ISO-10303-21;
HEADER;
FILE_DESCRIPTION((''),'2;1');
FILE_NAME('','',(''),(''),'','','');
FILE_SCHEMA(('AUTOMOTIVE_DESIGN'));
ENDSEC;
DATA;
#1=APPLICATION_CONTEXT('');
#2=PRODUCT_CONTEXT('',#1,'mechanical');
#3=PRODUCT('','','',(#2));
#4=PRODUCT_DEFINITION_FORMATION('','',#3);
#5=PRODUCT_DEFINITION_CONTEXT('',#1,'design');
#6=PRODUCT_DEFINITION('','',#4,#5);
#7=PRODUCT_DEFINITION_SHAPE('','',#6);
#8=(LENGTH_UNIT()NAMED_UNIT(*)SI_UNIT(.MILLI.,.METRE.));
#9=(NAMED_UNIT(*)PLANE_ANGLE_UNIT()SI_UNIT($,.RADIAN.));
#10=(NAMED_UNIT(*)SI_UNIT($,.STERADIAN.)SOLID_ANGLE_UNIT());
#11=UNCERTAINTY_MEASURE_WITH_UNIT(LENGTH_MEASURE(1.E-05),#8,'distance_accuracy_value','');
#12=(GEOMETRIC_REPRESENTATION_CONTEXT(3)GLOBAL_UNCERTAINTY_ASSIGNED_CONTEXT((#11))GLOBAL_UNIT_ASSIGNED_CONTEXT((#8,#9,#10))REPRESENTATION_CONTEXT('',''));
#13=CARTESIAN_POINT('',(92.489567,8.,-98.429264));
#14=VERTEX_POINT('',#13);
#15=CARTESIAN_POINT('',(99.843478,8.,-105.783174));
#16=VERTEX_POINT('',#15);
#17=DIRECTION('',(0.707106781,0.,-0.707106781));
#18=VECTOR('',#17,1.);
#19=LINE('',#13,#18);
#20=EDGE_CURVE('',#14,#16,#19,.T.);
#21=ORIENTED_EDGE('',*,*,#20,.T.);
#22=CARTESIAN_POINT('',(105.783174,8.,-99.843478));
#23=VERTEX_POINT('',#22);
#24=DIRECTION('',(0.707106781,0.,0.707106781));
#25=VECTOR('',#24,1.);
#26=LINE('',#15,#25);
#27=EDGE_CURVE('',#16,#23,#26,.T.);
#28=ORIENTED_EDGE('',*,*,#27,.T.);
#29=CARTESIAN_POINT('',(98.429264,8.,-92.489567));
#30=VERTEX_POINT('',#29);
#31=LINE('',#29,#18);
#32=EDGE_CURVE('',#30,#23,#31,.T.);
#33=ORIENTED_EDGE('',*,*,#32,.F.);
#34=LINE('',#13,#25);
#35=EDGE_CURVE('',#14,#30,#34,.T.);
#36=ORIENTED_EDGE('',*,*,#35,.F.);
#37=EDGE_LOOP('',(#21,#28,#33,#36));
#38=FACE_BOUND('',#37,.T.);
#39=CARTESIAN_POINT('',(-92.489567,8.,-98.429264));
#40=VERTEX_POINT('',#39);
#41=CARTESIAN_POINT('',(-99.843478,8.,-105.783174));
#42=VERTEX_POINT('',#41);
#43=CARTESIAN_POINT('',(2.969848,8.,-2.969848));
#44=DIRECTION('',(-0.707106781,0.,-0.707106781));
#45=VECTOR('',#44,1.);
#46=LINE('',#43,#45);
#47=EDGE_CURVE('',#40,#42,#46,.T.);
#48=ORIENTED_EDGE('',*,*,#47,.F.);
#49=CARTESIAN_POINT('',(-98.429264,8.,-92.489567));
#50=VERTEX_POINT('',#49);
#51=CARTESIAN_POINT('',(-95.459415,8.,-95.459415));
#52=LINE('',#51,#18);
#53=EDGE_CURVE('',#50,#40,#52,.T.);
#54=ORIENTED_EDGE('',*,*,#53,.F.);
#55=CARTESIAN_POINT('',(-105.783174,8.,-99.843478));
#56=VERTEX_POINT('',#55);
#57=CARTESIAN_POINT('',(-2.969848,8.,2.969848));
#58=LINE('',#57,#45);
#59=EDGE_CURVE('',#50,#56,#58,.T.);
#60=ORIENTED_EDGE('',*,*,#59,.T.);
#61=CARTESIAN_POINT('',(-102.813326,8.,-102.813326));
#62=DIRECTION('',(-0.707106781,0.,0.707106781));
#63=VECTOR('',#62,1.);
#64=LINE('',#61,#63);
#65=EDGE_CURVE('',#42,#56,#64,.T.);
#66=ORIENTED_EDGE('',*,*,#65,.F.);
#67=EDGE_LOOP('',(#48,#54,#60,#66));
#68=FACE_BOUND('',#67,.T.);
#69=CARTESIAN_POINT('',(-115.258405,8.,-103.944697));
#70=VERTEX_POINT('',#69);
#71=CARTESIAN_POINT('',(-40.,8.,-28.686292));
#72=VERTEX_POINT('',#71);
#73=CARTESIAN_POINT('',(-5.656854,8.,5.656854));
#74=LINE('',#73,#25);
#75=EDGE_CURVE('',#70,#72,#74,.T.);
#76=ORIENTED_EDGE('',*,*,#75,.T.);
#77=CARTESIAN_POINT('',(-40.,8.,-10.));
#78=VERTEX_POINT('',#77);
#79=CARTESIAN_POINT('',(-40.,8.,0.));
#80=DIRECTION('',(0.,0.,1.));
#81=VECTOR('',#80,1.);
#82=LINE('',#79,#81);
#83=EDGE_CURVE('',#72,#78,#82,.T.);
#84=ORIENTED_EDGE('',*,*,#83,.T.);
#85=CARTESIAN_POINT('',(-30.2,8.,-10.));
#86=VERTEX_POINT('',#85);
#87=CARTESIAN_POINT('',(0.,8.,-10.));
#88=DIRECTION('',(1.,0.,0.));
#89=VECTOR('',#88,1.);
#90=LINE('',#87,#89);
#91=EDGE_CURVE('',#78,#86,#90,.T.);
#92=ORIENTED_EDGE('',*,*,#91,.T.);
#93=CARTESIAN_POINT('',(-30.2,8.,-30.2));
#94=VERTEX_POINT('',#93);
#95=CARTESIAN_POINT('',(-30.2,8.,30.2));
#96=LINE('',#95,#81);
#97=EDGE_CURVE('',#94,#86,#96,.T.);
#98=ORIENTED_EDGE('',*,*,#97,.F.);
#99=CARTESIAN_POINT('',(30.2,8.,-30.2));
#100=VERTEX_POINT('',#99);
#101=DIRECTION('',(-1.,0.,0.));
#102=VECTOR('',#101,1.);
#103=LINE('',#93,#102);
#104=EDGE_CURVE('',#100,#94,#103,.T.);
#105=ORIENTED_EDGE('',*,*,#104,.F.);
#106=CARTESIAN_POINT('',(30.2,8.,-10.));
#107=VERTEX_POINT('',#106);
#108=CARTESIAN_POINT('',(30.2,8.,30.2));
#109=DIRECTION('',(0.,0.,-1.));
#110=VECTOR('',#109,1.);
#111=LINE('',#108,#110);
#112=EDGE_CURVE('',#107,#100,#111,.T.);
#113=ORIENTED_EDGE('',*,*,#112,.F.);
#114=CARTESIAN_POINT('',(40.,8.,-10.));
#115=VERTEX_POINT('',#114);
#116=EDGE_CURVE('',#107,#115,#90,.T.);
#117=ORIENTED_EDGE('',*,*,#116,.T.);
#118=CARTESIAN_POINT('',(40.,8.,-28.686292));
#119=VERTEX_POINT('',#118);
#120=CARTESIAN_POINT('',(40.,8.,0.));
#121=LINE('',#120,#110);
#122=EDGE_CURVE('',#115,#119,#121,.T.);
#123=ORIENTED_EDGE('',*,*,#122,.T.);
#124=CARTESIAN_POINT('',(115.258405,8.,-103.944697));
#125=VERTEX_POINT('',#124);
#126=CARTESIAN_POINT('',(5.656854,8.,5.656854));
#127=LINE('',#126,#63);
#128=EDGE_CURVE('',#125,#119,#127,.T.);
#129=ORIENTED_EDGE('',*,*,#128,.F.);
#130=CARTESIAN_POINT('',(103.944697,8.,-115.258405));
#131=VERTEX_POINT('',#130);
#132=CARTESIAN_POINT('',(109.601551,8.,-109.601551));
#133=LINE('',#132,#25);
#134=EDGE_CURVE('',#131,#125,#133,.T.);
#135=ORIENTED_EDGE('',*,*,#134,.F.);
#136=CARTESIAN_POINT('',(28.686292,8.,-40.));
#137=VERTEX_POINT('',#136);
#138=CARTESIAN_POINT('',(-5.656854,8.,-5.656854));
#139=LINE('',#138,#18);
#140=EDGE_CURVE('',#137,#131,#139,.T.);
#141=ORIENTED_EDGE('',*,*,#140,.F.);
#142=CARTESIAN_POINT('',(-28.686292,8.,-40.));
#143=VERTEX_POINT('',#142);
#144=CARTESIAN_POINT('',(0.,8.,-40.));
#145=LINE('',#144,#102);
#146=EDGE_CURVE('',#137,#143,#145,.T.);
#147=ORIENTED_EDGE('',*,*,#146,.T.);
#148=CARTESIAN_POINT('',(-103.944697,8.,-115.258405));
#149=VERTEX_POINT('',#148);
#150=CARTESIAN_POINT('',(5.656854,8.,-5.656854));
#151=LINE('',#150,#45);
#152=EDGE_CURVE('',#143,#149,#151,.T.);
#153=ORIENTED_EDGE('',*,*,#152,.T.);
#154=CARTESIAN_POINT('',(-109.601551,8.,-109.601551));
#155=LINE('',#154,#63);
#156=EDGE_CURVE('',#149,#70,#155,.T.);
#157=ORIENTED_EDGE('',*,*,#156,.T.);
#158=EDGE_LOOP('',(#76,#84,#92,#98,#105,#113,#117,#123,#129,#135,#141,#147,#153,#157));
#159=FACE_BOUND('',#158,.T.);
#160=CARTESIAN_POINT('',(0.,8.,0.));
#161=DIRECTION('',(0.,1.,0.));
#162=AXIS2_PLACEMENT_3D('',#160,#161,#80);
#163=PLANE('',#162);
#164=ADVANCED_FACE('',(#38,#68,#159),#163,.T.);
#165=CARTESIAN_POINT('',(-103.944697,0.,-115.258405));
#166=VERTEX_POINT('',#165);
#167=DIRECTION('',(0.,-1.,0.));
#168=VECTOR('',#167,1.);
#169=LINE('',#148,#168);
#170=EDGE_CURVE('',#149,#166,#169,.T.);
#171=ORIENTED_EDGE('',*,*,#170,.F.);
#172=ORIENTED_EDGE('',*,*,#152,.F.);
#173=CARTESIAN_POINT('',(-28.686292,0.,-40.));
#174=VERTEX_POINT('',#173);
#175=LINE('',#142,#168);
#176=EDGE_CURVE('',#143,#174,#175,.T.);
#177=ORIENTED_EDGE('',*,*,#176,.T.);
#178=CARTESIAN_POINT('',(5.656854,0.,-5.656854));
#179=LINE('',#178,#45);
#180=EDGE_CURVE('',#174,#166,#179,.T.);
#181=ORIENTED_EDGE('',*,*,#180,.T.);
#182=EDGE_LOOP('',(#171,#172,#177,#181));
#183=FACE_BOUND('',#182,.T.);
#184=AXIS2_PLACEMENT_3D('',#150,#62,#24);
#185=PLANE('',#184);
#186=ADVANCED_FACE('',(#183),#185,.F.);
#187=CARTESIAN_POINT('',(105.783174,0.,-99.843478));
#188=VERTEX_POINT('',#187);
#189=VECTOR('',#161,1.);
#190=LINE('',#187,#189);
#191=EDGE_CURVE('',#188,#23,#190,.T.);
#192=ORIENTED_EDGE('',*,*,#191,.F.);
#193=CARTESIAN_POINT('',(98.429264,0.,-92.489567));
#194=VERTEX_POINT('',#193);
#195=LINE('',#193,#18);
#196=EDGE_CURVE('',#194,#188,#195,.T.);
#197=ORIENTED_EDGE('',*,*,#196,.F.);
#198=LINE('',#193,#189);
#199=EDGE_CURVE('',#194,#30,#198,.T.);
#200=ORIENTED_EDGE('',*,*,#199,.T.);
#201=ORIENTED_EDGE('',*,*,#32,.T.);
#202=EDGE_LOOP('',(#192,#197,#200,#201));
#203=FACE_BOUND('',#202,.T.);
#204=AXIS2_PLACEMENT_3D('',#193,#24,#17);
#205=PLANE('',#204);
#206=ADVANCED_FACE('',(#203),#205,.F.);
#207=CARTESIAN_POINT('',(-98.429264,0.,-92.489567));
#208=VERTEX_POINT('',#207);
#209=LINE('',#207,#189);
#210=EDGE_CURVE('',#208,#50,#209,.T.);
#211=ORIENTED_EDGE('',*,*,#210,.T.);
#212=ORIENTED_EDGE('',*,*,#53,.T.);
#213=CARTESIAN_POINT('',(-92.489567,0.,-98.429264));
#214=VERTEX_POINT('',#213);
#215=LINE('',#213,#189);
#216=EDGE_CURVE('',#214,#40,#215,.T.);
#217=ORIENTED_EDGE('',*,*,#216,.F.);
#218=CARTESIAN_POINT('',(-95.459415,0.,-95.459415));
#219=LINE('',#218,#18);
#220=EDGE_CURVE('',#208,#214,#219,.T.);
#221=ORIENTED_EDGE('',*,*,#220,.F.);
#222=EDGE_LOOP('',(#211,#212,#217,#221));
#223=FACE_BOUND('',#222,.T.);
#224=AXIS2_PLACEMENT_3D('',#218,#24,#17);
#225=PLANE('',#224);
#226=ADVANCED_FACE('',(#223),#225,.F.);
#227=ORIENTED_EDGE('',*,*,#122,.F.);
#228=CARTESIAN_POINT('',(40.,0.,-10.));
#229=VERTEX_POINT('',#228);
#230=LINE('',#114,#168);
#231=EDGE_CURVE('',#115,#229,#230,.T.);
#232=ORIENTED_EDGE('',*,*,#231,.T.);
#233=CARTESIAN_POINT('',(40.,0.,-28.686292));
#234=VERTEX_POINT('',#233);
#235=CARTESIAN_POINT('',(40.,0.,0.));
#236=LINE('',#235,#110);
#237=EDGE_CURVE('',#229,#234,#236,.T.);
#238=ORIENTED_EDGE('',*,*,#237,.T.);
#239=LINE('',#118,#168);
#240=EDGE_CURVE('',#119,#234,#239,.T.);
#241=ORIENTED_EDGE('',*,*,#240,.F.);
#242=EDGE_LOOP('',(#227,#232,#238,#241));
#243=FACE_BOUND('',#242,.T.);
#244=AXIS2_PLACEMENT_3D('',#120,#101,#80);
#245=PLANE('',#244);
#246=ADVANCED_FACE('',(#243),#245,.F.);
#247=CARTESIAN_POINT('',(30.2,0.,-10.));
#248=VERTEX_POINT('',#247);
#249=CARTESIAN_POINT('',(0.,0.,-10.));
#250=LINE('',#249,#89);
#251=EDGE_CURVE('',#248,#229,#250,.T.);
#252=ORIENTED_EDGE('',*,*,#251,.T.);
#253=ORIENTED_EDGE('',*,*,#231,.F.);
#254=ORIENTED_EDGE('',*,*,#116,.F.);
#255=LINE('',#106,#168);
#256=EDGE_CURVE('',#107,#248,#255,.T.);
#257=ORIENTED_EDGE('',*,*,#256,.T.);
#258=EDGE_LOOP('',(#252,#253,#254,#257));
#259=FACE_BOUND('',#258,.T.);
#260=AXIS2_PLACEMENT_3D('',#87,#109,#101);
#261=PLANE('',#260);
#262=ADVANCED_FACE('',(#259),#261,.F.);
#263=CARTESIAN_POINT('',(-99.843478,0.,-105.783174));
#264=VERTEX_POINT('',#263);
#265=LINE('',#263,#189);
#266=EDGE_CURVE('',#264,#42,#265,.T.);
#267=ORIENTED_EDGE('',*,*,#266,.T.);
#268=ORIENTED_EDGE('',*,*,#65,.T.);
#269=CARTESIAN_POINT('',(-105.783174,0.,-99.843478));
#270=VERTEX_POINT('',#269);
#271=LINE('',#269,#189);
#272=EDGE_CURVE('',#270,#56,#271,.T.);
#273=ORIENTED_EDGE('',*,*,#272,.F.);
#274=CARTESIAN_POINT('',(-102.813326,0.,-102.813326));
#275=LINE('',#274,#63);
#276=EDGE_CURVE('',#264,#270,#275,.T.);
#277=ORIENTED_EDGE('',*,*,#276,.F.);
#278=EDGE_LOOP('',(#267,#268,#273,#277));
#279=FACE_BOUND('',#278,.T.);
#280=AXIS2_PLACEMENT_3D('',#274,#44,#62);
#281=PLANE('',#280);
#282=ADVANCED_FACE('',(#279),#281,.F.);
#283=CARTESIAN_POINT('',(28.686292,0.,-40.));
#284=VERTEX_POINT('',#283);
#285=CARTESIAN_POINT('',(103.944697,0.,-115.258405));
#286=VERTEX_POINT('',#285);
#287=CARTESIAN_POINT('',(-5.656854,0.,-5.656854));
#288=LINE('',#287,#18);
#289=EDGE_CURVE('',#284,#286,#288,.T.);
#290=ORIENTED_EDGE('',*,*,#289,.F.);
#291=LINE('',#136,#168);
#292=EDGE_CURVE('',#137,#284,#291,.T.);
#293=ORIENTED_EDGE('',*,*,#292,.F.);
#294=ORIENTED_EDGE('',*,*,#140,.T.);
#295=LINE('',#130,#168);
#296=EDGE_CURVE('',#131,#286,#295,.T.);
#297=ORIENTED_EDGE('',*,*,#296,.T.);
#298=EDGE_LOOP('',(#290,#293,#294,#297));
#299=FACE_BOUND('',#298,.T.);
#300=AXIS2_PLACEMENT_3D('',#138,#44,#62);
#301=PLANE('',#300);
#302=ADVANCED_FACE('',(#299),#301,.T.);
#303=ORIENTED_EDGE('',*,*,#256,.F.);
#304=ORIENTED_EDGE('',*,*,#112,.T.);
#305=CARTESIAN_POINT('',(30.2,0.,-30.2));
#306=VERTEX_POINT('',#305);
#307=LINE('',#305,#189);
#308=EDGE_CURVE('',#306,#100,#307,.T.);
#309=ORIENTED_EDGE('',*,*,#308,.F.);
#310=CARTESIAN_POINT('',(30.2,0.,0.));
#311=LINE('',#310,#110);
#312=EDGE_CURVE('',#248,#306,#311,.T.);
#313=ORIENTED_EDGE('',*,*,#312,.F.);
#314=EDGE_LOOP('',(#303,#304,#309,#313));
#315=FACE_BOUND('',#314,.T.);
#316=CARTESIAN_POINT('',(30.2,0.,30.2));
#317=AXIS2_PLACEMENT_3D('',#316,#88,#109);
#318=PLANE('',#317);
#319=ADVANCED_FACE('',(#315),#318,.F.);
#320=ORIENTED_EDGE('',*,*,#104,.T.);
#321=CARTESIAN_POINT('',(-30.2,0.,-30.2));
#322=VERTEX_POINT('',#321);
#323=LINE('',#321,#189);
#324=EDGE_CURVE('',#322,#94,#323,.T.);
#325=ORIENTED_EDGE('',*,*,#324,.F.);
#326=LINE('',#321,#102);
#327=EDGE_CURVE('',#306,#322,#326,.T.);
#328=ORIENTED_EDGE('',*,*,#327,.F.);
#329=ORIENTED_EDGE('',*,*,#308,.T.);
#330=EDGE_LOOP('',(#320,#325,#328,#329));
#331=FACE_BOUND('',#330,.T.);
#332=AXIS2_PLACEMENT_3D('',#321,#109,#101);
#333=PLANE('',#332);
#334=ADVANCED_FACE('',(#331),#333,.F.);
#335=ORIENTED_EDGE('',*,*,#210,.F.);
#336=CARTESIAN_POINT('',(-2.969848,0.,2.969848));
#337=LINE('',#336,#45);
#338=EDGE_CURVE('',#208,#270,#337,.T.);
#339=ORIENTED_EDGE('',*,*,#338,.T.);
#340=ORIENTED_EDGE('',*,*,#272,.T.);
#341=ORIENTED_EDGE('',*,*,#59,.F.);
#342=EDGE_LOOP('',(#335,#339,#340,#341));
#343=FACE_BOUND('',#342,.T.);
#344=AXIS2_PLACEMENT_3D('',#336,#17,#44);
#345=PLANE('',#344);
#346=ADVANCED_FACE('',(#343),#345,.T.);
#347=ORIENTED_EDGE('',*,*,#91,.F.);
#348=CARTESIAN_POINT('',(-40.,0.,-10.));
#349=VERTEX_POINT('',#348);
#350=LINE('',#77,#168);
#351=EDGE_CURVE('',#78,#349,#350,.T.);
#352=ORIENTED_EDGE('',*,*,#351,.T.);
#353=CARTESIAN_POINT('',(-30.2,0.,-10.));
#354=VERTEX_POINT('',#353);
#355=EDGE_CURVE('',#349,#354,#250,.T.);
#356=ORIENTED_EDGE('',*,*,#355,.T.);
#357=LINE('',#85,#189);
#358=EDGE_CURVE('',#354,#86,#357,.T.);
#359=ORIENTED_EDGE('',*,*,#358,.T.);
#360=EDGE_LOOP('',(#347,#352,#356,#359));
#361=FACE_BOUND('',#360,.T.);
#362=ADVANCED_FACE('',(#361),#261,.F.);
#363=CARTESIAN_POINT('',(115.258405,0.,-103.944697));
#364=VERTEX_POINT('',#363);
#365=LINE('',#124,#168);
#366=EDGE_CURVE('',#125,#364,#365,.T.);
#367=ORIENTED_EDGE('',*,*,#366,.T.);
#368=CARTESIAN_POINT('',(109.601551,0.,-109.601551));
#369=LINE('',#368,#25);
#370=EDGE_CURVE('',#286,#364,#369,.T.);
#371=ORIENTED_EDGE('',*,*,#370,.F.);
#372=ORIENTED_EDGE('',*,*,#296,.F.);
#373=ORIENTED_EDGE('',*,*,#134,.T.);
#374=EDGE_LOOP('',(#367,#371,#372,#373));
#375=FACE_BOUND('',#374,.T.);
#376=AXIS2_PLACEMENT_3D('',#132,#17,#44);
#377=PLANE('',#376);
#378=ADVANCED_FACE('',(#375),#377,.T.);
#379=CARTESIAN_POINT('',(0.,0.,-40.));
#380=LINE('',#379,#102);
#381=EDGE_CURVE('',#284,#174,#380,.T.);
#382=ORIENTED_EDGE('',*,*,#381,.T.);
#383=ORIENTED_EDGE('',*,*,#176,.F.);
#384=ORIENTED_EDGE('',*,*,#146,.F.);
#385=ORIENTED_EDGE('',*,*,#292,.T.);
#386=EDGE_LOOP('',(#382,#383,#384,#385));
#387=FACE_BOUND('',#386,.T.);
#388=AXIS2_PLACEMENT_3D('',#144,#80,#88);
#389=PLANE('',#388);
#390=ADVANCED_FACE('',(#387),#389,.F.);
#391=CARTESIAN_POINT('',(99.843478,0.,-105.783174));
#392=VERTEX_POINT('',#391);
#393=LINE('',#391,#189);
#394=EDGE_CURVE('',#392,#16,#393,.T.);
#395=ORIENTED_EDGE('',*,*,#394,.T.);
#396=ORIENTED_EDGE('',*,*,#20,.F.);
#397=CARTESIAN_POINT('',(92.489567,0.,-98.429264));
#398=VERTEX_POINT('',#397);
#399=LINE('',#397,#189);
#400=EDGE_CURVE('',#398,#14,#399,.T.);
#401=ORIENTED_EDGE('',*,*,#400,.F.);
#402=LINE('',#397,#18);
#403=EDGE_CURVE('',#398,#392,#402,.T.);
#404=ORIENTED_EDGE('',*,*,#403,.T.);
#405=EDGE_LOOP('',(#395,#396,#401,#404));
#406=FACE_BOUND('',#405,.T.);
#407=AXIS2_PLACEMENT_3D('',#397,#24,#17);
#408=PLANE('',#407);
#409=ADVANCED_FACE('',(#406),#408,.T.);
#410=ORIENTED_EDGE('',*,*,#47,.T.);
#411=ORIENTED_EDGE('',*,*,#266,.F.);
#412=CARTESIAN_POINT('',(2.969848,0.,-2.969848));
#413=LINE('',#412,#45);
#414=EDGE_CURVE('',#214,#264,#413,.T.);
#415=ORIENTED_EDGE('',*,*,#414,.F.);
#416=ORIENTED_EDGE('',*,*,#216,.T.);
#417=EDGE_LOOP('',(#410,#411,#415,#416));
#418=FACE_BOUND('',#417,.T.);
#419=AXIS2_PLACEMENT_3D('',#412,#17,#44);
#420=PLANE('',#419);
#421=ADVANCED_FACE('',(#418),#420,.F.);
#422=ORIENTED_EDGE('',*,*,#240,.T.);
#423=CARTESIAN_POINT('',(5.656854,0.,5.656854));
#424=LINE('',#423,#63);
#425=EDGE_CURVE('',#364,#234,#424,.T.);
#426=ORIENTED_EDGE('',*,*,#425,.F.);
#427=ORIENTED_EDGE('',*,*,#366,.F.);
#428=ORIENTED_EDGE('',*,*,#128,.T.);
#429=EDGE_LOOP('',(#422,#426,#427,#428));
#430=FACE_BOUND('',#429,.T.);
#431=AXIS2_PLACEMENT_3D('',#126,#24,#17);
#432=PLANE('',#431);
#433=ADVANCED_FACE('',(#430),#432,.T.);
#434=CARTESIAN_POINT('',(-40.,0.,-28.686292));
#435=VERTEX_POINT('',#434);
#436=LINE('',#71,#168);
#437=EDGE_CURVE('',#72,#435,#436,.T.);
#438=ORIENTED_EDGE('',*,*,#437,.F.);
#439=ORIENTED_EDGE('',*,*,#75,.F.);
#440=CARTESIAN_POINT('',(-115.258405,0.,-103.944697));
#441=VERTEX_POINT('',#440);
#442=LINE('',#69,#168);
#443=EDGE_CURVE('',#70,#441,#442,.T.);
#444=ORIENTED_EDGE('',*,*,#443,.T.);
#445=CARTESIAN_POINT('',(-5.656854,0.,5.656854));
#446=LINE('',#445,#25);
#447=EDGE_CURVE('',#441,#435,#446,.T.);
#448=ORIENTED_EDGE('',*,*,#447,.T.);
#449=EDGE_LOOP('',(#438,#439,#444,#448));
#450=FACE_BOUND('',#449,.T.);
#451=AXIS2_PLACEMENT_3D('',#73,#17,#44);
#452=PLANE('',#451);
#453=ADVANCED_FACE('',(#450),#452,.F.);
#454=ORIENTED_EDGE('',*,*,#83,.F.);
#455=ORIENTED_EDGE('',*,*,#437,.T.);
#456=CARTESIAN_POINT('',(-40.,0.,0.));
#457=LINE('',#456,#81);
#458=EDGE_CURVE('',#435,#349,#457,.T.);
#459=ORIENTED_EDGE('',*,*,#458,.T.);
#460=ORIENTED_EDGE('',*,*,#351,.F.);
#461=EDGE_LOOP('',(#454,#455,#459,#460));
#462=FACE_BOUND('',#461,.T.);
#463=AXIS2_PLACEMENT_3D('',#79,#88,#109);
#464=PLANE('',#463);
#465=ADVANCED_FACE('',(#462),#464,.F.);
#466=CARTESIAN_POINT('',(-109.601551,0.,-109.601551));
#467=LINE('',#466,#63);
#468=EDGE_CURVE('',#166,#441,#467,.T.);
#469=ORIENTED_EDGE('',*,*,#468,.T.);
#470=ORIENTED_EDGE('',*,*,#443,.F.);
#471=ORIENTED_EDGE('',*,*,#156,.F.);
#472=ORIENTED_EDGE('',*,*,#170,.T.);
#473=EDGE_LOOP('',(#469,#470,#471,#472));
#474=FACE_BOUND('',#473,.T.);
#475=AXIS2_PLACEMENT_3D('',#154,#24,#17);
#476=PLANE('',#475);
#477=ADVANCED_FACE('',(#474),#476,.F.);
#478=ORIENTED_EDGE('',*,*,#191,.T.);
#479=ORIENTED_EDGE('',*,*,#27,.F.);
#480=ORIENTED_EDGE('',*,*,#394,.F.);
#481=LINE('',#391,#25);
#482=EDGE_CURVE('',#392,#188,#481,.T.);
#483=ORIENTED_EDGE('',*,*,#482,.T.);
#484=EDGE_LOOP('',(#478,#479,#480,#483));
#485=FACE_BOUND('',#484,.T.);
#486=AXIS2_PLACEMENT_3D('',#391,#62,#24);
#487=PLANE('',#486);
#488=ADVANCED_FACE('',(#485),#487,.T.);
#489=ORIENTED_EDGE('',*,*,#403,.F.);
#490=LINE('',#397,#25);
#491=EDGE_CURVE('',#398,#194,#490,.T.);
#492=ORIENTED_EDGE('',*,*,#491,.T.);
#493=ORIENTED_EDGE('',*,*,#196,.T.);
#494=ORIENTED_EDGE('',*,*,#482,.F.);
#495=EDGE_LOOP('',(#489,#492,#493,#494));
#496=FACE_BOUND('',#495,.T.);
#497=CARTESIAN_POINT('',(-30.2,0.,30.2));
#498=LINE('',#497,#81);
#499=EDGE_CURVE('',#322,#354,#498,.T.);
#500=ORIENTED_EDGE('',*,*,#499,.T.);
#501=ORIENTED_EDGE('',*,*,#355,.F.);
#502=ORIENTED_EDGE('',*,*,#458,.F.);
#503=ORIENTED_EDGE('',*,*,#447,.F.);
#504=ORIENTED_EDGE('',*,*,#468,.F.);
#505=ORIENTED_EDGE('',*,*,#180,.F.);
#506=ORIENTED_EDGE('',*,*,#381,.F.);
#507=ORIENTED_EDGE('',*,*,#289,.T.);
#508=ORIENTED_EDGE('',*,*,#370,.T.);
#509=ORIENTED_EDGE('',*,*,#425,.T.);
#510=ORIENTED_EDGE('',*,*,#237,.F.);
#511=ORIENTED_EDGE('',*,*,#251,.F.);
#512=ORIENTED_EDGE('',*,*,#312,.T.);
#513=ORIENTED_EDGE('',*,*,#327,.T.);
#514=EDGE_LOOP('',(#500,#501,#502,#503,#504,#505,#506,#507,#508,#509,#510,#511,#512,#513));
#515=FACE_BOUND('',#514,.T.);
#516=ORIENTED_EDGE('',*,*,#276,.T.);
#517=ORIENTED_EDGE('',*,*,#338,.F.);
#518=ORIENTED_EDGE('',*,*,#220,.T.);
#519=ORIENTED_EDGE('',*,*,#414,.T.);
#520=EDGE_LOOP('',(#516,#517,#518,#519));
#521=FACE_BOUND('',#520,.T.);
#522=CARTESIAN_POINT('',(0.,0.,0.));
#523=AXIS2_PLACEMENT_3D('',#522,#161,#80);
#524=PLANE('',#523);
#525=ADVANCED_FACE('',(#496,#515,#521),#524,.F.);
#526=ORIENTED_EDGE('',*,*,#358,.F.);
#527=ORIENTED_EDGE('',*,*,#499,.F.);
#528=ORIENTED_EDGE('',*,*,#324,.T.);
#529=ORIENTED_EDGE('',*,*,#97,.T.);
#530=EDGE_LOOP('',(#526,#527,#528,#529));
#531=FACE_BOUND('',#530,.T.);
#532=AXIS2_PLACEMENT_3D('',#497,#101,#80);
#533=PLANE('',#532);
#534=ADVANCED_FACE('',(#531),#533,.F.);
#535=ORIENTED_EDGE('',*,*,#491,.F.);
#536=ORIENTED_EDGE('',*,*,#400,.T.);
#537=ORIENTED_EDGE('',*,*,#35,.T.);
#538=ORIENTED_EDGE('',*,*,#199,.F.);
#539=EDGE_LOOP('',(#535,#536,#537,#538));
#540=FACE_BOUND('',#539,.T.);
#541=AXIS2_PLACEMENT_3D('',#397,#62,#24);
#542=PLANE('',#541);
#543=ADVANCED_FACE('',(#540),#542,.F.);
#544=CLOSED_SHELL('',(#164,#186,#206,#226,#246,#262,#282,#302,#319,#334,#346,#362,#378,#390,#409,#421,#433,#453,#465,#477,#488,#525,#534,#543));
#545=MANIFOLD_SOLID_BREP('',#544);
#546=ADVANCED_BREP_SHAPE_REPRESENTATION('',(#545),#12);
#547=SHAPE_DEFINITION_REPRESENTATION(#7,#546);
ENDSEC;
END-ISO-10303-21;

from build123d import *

# Parameters (mm, degrees)
EXTRUDE_1_DEPTH     = 8
CUT_EXTRUDE_1_DEPTH = 164.196200936
SKETCH_6_W          = 60.4
SKETCH_6_H          = 60.4
CUT_EXTRUDE_2_DEPTH = 164.196200936


with BuildPart() as part:
    # 草图2 → 凸台-拉伸1 (new body)
    with BuildSketch(Plane(origin=(0, 0, 0), x_dir=(1, 0, 0), z_dir=(0, 1, 0))):
        Polygon((-40, 28.686291501), (-40, 40), (-28.686291501, 40), (-103.944696834, 115.258405333), (-115.258405333, 103.944696834), align=None)
        Polygon((103.944696834, 115.258405333), (28.686291501, 40), (40, 40), (40, 28.686291501), (115.258405333, 103.944696834), align=None)
        Polygon((40, 10), (40, 40), (-40, 40), (-40, 10), (-30, 10), (-30, 30), (30, 30), (30, 10), align=None)
    extrude(amount=EXTRUDE_1_DEPTH)

    # 草图5 → 切除-拉伸1 (cut, through all)
    with BuildSketch(Plane(origin=(0, 8, 0), x_dir=(1, 0, 0), z_dir=(0, 1, 0))):
        Polygon((-105.783174466, 99.843477504), (-98.429263941, 92.489566979), (-92.489566979, 98.429263941), (-99.843477504, 105.783174466), align=None)
        Polygon((92.489566979, 98.429263941), (98.429263941, 92.489566979), (105.783174466, 99.843477504), (99.843477504, 105.783174466), align=None)
    extrude(amount=-CUT_EXTRUDE_1_DEPTH, mode=Mode.SUBTRACT)

    # 草图6 → 切除-拉伸2 (cut, through all)
    with BuildSketch(Plane(origin=(0, 8, 0), x_dir=(1, 0, 0), z_dir=(0, 1, 0))):
        Rectangle(SKETCH_6_W, SKETCH_6_H)
    extrude(amount=-CUT_EXTRUDE_2_DEPTH, mode=Mode.SUBTRACT)


solid = part.part
